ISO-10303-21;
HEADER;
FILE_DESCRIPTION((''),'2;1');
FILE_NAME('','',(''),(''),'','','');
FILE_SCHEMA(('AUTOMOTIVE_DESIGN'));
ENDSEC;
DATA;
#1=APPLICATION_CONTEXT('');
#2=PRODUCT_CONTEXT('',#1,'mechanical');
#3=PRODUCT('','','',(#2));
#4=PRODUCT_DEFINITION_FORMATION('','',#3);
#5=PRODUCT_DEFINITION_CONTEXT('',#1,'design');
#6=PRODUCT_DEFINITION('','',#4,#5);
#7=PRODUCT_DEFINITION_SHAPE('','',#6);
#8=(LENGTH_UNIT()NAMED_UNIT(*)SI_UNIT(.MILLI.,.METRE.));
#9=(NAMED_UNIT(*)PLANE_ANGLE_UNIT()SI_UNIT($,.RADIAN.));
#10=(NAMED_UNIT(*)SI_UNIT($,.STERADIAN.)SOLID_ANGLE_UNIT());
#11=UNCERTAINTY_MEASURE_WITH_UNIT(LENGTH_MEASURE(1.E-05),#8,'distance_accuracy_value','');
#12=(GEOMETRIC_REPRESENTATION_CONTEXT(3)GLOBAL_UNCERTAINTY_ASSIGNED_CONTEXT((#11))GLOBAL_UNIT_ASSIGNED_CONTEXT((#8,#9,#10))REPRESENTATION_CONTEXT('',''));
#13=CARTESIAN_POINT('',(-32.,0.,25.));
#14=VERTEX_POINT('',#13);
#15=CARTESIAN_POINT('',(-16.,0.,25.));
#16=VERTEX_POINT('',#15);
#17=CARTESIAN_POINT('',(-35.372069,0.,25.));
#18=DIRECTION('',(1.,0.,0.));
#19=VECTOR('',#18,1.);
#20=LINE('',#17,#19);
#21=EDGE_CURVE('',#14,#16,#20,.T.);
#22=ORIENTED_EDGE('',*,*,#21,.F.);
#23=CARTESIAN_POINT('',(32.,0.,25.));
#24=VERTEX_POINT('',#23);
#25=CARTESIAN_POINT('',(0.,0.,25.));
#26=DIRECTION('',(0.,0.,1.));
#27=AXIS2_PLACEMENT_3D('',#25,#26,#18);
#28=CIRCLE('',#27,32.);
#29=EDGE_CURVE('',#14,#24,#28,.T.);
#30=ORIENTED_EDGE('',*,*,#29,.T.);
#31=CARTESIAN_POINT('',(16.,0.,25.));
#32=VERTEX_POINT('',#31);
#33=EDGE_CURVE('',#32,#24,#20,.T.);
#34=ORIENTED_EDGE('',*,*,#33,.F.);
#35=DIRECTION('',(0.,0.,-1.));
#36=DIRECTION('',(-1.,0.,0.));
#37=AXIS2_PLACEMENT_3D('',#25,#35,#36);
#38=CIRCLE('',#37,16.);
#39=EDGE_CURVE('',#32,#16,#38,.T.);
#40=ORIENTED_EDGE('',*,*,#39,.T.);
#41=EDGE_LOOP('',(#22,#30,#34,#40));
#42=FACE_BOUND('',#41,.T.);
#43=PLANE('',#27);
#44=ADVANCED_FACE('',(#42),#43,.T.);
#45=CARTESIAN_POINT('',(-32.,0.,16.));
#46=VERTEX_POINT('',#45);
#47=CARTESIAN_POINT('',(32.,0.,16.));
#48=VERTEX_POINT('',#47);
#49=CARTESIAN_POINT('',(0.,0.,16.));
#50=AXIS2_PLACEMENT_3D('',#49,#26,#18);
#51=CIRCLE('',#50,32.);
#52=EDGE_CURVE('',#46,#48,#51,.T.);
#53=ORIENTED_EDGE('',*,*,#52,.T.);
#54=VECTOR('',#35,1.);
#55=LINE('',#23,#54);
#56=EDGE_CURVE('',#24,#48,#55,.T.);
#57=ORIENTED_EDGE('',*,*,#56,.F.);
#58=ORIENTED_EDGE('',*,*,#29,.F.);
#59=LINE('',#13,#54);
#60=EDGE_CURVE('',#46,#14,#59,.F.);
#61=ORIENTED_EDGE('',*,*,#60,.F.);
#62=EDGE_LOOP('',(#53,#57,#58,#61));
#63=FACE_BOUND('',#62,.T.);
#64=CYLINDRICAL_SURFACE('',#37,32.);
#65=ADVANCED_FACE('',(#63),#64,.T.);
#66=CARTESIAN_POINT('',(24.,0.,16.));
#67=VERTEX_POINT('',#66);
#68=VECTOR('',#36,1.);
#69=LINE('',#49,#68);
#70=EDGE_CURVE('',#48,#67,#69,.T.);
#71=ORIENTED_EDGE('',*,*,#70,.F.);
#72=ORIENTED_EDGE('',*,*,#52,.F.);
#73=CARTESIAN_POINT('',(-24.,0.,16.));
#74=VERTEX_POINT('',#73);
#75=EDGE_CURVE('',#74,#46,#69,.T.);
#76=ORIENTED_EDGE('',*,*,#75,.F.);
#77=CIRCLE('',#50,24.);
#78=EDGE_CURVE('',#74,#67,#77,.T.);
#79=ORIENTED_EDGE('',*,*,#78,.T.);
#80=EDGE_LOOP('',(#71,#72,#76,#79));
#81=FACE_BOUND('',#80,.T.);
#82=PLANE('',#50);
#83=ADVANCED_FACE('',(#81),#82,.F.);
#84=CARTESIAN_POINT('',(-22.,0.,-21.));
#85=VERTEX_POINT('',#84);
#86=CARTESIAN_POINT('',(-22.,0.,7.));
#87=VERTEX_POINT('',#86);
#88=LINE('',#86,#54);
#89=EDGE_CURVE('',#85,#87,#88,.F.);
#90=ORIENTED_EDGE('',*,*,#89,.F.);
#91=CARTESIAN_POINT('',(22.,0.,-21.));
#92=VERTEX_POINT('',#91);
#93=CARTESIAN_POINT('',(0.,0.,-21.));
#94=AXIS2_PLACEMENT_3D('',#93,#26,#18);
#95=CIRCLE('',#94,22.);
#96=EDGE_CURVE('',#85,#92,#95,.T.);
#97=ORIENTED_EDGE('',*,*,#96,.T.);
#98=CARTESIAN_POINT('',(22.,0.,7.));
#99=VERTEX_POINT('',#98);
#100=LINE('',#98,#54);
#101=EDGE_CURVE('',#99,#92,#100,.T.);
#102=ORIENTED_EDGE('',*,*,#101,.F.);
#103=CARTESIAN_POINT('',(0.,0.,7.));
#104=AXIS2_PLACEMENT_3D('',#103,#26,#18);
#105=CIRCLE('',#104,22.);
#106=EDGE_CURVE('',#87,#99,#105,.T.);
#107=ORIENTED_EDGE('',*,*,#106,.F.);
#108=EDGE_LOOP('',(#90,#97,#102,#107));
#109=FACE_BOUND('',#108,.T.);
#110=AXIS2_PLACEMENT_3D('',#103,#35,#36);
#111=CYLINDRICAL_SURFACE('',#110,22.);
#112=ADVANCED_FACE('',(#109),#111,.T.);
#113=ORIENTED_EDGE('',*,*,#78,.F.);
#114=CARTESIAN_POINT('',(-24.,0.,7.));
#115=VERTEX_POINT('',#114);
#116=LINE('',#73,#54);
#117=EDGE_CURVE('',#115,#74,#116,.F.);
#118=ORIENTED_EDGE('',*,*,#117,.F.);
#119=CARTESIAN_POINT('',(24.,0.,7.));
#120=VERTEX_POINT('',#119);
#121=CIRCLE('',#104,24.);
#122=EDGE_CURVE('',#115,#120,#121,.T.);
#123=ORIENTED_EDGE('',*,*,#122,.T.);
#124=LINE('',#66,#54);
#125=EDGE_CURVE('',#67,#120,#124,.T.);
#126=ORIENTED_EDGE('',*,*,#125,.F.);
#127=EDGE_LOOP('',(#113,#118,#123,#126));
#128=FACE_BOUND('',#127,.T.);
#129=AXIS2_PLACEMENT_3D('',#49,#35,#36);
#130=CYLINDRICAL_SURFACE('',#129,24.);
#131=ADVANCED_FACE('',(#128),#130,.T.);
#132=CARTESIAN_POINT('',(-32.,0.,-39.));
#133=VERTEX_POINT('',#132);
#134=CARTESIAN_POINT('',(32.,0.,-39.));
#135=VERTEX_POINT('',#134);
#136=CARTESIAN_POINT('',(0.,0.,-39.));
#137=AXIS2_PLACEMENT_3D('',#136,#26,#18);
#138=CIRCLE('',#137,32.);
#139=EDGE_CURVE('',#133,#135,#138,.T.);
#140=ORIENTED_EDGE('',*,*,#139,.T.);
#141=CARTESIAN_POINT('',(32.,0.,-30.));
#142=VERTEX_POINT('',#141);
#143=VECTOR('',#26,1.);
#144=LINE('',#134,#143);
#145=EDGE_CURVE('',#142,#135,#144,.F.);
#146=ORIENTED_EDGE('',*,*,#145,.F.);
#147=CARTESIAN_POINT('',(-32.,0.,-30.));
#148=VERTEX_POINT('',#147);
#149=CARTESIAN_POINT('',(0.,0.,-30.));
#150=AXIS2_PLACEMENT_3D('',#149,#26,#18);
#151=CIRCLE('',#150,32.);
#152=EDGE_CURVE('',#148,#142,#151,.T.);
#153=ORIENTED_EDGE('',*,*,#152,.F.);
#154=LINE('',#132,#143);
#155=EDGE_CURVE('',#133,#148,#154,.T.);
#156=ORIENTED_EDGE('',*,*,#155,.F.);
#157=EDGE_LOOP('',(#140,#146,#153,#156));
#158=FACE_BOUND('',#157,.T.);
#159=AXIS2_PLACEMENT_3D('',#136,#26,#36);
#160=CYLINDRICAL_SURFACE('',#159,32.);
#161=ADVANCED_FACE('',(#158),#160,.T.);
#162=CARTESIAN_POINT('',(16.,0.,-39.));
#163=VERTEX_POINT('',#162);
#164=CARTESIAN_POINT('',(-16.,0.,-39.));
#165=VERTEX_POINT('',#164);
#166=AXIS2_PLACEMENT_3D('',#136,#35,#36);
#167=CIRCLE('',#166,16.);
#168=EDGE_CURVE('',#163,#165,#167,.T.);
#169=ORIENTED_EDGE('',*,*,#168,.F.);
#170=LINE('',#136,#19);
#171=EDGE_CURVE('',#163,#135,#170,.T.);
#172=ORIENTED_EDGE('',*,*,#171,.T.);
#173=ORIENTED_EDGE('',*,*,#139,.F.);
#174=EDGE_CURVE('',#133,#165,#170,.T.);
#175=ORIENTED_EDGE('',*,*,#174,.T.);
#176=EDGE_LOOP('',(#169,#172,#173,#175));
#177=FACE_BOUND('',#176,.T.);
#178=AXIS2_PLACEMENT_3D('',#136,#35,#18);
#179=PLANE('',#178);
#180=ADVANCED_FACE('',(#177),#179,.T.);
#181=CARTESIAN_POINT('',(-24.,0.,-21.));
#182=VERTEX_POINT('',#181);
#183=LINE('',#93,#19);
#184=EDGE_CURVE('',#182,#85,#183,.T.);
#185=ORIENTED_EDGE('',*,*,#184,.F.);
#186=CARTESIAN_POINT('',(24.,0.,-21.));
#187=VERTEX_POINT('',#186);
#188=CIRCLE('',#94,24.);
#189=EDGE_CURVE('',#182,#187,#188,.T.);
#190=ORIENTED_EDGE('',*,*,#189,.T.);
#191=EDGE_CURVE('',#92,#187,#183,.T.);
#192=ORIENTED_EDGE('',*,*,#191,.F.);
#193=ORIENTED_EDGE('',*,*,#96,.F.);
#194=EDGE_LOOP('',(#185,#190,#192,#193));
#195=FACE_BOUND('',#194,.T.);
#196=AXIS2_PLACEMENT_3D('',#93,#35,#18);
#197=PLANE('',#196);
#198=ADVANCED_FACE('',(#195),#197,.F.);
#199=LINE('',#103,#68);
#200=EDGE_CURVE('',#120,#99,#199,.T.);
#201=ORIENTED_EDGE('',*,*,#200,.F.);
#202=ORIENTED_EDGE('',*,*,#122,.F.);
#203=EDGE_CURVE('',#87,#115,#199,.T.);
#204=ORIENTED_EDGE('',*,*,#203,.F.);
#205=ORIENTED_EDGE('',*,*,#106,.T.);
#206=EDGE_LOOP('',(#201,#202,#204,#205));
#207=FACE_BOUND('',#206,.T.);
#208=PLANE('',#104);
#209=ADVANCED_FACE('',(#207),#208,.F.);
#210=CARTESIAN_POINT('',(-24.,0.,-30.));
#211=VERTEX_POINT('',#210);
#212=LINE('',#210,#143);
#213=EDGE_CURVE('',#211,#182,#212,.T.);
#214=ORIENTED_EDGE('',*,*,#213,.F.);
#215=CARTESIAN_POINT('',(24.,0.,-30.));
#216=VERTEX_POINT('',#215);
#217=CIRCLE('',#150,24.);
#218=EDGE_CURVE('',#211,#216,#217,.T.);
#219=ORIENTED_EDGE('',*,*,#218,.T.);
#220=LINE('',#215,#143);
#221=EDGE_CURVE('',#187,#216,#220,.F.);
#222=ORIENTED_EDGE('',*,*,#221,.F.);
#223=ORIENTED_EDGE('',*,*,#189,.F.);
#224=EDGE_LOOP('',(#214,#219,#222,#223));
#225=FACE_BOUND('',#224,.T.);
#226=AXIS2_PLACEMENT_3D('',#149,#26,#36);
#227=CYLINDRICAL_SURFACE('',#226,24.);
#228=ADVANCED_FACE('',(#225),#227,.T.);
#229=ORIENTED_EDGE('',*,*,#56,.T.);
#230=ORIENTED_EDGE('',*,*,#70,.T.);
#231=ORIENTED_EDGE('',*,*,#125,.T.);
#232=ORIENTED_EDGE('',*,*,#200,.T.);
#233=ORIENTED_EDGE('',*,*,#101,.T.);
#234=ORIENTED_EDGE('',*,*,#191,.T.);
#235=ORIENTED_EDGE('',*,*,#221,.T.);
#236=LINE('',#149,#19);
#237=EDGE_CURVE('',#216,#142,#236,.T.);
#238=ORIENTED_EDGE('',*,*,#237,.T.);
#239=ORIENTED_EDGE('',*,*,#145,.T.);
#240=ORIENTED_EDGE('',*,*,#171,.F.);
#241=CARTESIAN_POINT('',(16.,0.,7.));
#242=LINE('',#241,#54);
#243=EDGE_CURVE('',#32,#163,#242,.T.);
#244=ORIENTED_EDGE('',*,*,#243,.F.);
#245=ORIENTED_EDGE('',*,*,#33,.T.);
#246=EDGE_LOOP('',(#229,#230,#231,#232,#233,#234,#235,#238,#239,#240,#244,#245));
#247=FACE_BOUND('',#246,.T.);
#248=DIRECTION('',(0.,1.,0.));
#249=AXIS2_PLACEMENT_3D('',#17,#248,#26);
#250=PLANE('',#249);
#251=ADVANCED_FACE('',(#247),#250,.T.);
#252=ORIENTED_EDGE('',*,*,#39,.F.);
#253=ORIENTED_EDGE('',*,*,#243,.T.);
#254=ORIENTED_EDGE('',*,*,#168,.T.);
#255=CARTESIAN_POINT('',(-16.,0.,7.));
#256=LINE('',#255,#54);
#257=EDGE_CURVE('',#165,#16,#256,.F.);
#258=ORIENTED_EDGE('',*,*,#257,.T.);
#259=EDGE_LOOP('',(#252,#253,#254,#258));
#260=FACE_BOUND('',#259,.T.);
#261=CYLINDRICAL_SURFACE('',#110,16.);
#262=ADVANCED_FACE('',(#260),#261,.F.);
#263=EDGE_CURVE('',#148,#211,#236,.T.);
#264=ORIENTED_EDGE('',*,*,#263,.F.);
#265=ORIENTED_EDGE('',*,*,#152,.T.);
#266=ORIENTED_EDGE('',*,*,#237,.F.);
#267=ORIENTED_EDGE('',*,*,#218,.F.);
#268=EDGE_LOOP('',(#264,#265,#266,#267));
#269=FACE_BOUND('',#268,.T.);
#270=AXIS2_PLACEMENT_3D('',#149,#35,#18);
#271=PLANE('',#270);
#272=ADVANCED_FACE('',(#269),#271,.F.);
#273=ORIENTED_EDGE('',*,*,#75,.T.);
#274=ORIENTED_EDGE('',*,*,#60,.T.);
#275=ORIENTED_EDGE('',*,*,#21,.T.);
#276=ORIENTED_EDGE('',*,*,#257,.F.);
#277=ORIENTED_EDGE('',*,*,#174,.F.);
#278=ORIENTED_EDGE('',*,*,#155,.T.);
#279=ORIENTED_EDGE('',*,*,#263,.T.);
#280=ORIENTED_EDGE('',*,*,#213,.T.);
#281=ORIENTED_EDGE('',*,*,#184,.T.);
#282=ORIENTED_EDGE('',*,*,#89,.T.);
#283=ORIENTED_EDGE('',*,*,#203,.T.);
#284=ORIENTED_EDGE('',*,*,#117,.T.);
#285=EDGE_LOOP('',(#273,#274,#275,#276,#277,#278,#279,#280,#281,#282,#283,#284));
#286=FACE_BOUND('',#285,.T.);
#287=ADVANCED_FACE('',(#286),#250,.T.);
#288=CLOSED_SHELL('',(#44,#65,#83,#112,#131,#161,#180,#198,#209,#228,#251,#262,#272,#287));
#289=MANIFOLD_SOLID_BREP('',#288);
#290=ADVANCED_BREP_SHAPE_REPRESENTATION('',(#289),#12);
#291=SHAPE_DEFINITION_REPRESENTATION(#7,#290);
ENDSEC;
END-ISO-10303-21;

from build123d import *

# Parameters (mm, degrees)
SKETCH1_R           = 22
SKETCH1_R_2         = 16
BOSS_EXTRUDE2_DEPTH = 7
SKETCH3_R           = 24
BOSS_EXTRUDE6_DEPTH = 9
SKETCH6_R           = 32
BOSS_EXTRUDE7_DEPTH = 9
SKETCH7_R           = 16
CUT_EXTRUDE2_DEPTH  = 56.425625842
CUT_EXTRUDE3_DEPTH  = 79.383671769


with BuildPart() as part:
    # Sketch1 → Boss-Extrude2 (new, symmetric)
    with BuildSketch(Plane.XY):
        Circle(SKETCH1_R)
        Circle(SKETCH1_R_2, mode=Mode.SUBTRACT)
    extrude(amount=BOSS_EXTRUDE2_DEPTH, both=True)

    # Sketch3 → Boss-Extrude6 (add)
    with BuildSketch(Plane.XY.offset(7)):
        Circle(SKETCH3_R)
    extrude(amount=BOSS_EXTRUDE6_DEPTH)

    # Sketch6 → Boss-Extrude7 (add)
    with BuildSketch(Plane.XY.offset(16)):
        Circle(SKETCH6_R)
    extrude(amount=BOSS_EXTRUDE7_DEPTH)

    # Sketch7 → Cut-Extrude2 (cut, through all)
    with BuildSketch(Plane(origin=(0, 0, -7), x_dir=(-1, 0, 0), z_dir=(0, 0, -1))):
        Circle(SKETCH7_R)
    extrude(amount=-CUT_EXTRUDE2_DEPTH, mode=Mode.SUBTRACT)

    # Mirror3: part across plane


with BuildPart() as part_1:
    add(part.part)
    add(part.part.mirror(Plane.XY.offset(-7)))

    # Sketch8 → Cut-Extrude3 (cut, through all)
    with BuildSketch(Plane.XY.offset(25)):
        Polygon((-194.543052514, 0), (-35.372068519, 0), (34.570182834, 0), (193.741166829, 0), (193.741166829, 318.34196799), (-194.543052514, 318.34196799), align=None)
    extrude(amount=-CUT_EXTRUDE3_DEPTH, mode=Mode.SUBTRACT)


solid = part_1.part
